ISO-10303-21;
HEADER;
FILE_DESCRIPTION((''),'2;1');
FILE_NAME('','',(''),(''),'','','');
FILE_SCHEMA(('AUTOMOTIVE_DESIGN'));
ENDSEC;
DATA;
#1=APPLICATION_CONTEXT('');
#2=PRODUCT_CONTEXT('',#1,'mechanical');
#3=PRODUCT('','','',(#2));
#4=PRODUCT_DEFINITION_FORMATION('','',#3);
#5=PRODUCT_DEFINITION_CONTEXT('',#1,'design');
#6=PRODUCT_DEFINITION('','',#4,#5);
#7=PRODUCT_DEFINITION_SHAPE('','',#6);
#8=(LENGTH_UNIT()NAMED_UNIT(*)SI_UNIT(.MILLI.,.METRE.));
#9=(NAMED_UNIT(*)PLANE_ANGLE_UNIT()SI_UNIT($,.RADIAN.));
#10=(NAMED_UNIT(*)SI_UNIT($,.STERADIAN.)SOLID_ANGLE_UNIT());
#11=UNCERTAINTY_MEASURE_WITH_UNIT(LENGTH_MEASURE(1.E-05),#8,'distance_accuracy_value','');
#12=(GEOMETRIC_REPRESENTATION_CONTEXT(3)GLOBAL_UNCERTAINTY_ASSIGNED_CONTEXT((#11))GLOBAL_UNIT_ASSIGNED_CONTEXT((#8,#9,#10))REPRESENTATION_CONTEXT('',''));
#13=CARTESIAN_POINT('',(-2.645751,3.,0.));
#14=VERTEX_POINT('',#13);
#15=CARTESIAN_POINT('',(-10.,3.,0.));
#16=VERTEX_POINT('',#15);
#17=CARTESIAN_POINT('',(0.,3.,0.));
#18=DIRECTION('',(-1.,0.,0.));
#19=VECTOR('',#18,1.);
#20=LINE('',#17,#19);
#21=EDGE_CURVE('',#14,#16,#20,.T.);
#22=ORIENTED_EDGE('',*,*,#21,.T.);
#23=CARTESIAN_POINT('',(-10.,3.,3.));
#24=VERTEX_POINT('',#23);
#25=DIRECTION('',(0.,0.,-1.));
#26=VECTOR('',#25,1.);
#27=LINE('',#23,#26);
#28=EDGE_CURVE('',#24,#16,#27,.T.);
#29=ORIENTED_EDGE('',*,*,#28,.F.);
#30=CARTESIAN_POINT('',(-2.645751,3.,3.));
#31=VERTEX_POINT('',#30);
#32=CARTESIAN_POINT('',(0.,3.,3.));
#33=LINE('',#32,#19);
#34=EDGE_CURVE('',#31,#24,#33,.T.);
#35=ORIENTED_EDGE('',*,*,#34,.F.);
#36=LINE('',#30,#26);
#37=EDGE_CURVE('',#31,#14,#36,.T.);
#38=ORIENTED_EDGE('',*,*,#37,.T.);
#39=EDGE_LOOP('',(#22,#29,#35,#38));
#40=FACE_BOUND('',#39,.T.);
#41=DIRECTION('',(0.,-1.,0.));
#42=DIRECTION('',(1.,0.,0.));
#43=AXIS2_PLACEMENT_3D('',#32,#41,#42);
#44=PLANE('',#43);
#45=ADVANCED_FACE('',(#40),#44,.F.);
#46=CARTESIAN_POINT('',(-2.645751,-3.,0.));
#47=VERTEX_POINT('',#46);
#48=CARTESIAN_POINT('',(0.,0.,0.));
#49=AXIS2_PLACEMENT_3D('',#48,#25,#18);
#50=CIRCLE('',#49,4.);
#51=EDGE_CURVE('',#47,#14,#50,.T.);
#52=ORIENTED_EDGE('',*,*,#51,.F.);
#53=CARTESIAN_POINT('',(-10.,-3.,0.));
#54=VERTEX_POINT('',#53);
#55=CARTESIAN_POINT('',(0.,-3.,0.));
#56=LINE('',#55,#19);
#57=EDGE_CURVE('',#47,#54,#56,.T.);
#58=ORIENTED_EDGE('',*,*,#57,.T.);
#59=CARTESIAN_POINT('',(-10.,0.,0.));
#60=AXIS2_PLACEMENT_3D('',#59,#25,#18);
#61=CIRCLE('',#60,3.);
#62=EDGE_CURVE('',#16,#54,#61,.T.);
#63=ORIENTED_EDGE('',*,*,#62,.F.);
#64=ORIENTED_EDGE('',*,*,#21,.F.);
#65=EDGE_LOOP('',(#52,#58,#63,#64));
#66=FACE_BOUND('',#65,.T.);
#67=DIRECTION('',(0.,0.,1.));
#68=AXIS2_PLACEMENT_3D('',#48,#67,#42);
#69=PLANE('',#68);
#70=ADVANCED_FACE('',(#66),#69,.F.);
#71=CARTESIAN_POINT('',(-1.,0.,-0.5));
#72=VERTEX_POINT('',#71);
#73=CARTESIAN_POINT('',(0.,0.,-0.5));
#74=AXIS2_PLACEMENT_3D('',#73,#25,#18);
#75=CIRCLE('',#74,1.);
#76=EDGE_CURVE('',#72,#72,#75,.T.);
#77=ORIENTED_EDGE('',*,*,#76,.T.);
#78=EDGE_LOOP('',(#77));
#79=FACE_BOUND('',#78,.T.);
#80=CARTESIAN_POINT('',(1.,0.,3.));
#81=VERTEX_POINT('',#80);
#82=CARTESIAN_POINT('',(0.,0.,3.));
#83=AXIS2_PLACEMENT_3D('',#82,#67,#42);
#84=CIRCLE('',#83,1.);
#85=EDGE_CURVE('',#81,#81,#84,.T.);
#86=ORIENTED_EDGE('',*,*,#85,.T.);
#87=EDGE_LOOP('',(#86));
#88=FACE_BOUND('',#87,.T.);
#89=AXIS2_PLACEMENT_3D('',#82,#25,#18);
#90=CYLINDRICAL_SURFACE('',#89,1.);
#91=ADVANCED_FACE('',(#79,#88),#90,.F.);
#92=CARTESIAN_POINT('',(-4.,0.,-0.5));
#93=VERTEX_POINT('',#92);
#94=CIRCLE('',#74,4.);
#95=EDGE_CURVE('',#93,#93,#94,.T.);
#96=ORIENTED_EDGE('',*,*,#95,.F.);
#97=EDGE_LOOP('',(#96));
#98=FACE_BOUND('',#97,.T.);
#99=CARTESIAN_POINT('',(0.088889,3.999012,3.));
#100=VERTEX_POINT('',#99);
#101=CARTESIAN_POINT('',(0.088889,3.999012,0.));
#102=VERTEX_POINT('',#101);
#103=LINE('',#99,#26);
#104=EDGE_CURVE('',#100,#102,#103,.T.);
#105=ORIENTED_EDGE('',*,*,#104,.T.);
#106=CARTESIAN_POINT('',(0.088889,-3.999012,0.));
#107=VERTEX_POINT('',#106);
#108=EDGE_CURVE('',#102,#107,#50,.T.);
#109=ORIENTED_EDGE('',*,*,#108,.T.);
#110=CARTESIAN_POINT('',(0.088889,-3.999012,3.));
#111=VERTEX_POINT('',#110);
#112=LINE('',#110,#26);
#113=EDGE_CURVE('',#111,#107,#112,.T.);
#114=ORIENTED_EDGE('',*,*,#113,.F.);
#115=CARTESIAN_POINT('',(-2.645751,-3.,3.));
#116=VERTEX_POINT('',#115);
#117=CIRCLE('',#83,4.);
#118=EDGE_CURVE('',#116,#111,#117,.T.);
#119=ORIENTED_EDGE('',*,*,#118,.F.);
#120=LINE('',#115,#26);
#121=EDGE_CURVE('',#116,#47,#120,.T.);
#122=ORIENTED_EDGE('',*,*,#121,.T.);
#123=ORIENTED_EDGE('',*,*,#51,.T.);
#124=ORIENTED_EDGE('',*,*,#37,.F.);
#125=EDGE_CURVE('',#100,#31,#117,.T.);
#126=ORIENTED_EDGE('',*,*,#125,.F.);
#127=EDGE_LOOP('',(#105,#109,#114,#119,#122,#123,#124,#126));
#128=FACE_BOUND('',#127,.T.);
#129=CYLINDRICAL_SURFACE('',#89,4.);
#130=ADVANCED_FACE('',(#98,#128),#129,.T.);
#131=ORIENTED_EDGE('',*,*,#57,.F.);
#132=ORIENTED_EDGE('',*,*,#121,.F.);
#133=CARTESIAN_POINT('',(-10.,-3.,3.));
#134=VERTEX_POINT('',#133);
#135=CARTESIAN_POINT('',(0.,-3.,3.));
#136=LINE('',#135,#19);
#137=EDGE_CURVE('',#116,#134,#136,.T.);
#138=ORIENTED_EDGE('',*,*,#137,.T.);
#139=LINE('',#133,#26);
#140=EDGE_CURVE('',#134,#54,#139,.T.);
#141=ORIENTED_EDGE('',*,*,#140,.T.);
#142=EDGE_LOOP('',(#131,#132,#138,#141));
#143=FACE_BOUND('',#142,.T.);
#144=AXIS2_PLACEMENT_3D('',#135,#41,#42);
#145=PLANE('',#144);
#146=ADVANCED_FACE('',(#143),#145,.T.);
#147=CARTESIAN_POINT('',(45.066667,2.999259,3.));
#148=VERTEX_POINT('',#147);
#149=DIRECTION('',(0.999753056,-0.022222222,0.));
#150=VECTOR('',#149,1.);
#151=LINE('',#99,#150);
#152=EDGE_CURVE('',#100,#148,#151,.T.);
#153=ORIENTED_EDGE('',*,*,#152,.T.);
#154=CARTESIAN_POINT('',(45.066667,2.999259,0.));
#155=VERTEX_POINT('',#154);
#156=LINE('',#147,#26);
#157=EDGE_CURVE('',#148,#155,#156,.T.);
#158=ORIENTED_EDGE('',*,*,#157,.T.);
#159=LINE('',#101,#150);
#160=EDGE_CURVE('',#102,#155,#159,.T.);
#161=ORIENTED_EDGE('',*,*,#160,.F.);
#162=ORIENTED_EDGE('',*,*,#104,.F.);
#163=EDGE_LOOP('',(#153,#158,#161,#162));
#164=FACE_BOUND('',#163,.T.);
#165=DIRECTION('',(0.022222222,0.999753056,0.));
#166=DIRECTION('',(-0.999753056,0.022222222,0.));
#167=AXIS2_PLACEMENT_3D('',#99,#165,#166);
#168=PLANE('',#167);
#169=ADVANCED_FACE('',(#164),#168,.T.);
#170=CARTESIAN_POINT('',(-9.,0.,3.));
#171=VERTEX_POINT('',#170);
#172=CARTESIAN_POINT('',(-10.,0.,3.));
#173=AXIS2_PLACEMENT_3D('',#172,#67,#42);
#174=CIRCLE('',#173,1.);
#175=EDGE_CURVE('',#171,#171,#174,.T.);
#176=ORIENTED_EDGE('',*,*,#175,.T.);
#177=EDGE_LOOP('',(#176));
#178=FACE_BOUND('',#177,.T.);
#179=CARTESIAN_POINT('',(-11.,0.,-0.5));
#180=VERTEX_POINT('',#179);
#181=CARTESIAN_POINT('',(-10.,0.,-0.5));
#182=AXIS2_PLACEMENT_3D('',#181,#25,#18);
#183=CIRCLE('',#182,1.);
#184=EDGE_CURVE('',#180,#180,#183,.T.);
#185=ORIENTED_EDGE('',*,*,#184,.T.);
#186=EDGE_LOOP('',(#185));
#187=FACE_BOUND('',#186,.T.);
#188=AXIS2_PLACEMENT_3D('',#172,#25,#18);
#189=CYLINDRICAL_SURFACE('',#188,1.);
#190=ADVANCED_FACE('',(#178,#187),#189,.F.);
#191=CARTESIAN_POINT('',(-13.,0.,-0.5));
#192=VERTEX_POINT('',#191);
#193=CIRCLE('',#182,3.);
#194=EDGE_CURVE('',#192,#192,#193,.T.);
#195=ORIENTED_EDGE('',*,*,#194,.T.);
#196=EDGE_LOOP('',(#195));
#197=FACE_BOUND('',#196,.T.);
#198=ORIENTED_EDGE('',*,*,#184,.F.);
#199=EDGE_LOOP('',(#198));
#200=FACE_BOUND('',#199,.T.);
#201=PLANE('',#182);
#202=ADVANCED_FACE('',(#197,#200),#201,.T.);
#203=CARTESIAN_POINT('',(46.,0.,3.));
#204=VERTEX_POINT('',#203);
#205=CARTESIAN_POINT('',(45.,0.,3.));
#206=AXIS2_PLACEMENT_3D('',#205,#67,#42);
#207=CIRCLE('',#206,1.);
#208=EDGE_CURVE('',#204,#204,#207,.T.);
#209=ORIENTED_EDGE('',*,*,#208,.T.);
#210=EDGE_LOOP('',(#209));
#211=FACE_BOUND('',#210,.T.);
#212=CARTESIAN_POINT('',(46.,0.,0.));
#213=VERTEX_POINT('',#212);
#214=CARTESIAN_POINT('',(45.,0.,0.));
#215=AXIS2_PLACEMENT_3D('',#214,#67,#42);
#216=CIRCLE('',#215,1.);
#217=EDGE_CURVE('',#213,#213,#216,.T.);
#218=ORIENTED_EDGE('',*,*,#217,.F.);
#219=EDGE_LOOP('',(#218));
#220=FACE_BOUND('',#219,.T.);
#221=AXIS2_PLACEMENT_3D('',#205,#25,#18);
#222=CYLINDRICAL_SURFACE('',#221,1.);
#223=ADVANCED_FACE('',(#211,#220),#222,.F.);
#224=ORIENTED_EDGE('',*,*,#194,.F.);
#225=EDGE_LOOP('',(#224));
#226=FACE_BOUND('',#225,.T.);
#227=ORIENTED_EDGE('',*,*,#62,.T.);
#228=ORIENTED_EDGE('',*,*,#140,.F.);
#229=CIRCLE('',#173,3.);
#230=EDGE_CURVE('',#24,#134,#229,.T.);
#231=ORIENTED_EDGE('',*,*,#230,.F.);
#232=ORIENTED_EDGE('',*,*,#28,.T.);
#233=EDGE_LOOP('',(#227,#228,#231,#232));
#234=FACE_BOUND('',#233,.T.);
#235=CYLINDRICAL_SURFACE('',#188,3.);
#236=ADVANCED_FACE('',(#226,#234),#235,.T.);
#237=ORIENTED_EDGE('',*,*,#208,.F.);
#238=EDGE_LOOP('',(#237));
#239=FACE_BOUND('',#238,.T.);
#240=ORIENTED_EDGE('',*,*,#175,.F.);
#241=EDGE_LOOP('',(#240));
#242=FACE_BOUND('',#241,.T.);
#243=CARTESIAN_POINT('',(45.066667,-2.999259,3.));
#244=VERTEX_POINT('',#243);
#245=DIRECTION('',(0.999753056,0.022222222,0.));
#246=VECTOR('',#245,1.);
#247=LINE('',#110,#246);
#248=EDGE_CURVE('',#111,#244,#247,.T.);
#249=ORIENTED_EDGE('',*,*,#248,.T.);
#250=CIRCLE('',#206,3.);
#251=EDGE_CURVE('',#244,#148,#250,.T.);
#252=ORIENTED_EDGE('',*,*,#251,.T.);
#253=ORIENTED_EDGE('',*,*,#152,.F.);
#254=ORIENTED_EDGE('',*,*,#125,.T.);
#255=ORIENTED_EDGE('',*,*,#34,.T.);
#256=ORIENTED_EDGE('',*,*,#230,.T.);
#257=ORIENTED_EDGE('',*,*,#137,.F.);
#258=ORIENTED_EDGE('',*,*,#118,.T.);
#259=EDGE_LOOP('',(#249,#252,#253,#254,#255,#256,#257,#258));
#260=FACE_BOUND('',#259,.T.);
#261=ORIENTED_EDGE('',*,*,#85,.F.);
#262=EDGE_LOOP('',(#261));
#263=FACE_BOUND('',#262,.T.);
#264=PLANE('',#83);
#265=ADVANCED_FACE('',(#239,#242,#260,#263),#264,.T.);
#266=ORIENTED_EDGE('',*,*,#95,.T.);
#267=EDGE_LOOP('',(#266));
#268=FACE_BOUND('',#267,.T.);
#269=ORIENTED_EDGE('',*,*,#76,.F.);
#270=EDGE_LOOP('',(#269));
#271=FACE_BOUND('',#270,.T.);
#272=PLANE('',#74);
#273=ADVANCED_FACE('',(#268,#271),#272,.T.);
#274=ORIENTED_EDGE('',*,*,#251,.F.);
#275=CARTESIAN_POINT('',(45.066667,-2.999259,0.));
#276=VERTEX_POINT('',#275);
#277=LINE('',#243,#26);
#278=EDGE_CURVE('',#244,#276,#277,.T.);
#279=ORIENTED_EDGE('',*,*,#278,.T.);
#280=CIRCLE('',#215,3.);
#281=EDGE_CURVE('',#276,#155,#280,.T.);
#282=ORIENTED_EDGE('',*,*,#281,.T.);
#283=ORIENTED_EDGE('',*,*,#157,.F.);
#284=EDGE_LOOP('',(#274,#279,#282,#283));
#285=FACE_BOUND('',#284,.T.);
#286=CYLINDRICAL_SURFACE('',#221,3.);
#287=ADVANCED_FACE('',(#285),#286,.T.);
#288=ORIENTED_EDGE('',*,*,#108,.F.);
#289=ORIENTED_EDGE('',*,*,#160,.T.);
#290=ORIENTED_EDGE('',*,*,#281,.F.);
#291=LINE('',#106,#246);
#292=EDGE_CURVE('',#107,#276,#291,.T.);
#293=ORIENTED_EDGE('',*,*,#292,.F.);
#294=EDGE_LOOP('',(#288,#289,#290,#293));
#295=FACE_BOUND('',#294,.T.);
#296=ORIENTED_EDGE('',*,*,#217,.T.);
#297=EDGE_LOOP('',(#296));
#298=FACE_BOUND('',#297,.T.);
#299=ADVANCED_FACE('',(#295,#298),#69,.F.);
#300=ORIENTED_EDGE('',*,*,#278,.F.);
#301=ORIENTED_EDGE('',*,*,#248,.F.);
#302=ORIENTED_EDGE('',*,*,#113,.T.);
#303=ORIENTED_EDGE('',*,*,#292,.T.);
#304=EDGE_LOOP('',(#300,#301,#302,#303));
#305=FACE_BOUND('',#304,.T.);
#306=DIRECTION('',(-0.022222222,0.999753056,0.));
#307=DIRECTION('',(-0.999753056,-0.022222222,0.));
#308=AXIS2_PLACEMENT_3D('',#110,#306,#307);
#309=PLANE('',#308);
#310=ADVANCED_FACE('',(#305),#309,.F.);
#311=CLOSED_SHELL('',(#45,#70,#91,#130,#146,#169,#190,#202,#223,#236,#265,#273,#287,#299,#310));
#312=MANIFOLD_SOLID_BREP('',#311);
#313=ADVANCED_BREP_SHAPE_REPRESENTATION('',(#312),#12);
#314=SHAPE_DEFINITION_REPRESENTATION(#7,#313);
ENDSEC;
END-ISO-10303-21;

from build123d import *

# Parameters (mm, degrees)
SKETCH1_R           = 1
BOSS_EXTRUDE1_DEPTH = 3
SKETCH2_R           = 3
SKETCH2_R_2         = 1
SKETCH2_R_3         = 4
BOSS_EXTRUDE2_DEPTH = 0.5


with BuildPart() as part:
    # Sketch1 → Boss-Extrude1 (new body)
    with BuildSketch(Plane.XY):
        with BuildLine():
            ThreePointArc((-2.645751311, -3), (-1.372549714, -3.757140839), (0.088888889, -3.999012224))
            Line((0.088888889, -3.999012224), (45.066666667, -2.999259168))
            ThreePointArc((45.066666667, -2.999259168), (48, 0), (45.066666667, 2.999259168))
            Line((45.066666667, 2.999259168), (0.088888889, 3.999012224))
            ThreePointArc((0.088888889, 3.999012224), (-1.372549714, 3.757140839), (-2.645751311, 3))
            Line((-2.645751311, 3), (-10, 3))
            ThreePointArc((-10, 3), (-13, 0), (-10, -3))
            Line((-10, -3), (-2.645751311, -3))
        make_face()
        Circle(SKETCH1_R, mode=Mode.SUBTRACT)
        with Locations((-10, 0)):
            Circle(SKETCH1_R, mode=Mode.SUBTRACT)
        with Locations((45, 0)):
            Circle(SKETCH1_R, mode=Mode.SUBTRACT)
    extrude(amount=BOSS_EXTRUDE1_DEPTH)

    # Sketch2 → Boss-Extrude2 (add)
    with BuildSketch(Plane(origin=(0, 0, 0), x_dir=(-1, 0, 0), z_dir=(0, 0, -1))):
        with Locations((10, 0)):
            Circle(SKETCH2_R)
        with Locations((10, 0)):
            Circle(SKETCH2_R_2, mode=Mode.SUBTRACT)
        Circle(SKETCH2_R_3)
        Circle(SKETCH2_R_2, mode=Mode.SUBTRACT)
    extrude(amount=BOSS_EXTRUDE2_DEPTH)


solid = part.part
